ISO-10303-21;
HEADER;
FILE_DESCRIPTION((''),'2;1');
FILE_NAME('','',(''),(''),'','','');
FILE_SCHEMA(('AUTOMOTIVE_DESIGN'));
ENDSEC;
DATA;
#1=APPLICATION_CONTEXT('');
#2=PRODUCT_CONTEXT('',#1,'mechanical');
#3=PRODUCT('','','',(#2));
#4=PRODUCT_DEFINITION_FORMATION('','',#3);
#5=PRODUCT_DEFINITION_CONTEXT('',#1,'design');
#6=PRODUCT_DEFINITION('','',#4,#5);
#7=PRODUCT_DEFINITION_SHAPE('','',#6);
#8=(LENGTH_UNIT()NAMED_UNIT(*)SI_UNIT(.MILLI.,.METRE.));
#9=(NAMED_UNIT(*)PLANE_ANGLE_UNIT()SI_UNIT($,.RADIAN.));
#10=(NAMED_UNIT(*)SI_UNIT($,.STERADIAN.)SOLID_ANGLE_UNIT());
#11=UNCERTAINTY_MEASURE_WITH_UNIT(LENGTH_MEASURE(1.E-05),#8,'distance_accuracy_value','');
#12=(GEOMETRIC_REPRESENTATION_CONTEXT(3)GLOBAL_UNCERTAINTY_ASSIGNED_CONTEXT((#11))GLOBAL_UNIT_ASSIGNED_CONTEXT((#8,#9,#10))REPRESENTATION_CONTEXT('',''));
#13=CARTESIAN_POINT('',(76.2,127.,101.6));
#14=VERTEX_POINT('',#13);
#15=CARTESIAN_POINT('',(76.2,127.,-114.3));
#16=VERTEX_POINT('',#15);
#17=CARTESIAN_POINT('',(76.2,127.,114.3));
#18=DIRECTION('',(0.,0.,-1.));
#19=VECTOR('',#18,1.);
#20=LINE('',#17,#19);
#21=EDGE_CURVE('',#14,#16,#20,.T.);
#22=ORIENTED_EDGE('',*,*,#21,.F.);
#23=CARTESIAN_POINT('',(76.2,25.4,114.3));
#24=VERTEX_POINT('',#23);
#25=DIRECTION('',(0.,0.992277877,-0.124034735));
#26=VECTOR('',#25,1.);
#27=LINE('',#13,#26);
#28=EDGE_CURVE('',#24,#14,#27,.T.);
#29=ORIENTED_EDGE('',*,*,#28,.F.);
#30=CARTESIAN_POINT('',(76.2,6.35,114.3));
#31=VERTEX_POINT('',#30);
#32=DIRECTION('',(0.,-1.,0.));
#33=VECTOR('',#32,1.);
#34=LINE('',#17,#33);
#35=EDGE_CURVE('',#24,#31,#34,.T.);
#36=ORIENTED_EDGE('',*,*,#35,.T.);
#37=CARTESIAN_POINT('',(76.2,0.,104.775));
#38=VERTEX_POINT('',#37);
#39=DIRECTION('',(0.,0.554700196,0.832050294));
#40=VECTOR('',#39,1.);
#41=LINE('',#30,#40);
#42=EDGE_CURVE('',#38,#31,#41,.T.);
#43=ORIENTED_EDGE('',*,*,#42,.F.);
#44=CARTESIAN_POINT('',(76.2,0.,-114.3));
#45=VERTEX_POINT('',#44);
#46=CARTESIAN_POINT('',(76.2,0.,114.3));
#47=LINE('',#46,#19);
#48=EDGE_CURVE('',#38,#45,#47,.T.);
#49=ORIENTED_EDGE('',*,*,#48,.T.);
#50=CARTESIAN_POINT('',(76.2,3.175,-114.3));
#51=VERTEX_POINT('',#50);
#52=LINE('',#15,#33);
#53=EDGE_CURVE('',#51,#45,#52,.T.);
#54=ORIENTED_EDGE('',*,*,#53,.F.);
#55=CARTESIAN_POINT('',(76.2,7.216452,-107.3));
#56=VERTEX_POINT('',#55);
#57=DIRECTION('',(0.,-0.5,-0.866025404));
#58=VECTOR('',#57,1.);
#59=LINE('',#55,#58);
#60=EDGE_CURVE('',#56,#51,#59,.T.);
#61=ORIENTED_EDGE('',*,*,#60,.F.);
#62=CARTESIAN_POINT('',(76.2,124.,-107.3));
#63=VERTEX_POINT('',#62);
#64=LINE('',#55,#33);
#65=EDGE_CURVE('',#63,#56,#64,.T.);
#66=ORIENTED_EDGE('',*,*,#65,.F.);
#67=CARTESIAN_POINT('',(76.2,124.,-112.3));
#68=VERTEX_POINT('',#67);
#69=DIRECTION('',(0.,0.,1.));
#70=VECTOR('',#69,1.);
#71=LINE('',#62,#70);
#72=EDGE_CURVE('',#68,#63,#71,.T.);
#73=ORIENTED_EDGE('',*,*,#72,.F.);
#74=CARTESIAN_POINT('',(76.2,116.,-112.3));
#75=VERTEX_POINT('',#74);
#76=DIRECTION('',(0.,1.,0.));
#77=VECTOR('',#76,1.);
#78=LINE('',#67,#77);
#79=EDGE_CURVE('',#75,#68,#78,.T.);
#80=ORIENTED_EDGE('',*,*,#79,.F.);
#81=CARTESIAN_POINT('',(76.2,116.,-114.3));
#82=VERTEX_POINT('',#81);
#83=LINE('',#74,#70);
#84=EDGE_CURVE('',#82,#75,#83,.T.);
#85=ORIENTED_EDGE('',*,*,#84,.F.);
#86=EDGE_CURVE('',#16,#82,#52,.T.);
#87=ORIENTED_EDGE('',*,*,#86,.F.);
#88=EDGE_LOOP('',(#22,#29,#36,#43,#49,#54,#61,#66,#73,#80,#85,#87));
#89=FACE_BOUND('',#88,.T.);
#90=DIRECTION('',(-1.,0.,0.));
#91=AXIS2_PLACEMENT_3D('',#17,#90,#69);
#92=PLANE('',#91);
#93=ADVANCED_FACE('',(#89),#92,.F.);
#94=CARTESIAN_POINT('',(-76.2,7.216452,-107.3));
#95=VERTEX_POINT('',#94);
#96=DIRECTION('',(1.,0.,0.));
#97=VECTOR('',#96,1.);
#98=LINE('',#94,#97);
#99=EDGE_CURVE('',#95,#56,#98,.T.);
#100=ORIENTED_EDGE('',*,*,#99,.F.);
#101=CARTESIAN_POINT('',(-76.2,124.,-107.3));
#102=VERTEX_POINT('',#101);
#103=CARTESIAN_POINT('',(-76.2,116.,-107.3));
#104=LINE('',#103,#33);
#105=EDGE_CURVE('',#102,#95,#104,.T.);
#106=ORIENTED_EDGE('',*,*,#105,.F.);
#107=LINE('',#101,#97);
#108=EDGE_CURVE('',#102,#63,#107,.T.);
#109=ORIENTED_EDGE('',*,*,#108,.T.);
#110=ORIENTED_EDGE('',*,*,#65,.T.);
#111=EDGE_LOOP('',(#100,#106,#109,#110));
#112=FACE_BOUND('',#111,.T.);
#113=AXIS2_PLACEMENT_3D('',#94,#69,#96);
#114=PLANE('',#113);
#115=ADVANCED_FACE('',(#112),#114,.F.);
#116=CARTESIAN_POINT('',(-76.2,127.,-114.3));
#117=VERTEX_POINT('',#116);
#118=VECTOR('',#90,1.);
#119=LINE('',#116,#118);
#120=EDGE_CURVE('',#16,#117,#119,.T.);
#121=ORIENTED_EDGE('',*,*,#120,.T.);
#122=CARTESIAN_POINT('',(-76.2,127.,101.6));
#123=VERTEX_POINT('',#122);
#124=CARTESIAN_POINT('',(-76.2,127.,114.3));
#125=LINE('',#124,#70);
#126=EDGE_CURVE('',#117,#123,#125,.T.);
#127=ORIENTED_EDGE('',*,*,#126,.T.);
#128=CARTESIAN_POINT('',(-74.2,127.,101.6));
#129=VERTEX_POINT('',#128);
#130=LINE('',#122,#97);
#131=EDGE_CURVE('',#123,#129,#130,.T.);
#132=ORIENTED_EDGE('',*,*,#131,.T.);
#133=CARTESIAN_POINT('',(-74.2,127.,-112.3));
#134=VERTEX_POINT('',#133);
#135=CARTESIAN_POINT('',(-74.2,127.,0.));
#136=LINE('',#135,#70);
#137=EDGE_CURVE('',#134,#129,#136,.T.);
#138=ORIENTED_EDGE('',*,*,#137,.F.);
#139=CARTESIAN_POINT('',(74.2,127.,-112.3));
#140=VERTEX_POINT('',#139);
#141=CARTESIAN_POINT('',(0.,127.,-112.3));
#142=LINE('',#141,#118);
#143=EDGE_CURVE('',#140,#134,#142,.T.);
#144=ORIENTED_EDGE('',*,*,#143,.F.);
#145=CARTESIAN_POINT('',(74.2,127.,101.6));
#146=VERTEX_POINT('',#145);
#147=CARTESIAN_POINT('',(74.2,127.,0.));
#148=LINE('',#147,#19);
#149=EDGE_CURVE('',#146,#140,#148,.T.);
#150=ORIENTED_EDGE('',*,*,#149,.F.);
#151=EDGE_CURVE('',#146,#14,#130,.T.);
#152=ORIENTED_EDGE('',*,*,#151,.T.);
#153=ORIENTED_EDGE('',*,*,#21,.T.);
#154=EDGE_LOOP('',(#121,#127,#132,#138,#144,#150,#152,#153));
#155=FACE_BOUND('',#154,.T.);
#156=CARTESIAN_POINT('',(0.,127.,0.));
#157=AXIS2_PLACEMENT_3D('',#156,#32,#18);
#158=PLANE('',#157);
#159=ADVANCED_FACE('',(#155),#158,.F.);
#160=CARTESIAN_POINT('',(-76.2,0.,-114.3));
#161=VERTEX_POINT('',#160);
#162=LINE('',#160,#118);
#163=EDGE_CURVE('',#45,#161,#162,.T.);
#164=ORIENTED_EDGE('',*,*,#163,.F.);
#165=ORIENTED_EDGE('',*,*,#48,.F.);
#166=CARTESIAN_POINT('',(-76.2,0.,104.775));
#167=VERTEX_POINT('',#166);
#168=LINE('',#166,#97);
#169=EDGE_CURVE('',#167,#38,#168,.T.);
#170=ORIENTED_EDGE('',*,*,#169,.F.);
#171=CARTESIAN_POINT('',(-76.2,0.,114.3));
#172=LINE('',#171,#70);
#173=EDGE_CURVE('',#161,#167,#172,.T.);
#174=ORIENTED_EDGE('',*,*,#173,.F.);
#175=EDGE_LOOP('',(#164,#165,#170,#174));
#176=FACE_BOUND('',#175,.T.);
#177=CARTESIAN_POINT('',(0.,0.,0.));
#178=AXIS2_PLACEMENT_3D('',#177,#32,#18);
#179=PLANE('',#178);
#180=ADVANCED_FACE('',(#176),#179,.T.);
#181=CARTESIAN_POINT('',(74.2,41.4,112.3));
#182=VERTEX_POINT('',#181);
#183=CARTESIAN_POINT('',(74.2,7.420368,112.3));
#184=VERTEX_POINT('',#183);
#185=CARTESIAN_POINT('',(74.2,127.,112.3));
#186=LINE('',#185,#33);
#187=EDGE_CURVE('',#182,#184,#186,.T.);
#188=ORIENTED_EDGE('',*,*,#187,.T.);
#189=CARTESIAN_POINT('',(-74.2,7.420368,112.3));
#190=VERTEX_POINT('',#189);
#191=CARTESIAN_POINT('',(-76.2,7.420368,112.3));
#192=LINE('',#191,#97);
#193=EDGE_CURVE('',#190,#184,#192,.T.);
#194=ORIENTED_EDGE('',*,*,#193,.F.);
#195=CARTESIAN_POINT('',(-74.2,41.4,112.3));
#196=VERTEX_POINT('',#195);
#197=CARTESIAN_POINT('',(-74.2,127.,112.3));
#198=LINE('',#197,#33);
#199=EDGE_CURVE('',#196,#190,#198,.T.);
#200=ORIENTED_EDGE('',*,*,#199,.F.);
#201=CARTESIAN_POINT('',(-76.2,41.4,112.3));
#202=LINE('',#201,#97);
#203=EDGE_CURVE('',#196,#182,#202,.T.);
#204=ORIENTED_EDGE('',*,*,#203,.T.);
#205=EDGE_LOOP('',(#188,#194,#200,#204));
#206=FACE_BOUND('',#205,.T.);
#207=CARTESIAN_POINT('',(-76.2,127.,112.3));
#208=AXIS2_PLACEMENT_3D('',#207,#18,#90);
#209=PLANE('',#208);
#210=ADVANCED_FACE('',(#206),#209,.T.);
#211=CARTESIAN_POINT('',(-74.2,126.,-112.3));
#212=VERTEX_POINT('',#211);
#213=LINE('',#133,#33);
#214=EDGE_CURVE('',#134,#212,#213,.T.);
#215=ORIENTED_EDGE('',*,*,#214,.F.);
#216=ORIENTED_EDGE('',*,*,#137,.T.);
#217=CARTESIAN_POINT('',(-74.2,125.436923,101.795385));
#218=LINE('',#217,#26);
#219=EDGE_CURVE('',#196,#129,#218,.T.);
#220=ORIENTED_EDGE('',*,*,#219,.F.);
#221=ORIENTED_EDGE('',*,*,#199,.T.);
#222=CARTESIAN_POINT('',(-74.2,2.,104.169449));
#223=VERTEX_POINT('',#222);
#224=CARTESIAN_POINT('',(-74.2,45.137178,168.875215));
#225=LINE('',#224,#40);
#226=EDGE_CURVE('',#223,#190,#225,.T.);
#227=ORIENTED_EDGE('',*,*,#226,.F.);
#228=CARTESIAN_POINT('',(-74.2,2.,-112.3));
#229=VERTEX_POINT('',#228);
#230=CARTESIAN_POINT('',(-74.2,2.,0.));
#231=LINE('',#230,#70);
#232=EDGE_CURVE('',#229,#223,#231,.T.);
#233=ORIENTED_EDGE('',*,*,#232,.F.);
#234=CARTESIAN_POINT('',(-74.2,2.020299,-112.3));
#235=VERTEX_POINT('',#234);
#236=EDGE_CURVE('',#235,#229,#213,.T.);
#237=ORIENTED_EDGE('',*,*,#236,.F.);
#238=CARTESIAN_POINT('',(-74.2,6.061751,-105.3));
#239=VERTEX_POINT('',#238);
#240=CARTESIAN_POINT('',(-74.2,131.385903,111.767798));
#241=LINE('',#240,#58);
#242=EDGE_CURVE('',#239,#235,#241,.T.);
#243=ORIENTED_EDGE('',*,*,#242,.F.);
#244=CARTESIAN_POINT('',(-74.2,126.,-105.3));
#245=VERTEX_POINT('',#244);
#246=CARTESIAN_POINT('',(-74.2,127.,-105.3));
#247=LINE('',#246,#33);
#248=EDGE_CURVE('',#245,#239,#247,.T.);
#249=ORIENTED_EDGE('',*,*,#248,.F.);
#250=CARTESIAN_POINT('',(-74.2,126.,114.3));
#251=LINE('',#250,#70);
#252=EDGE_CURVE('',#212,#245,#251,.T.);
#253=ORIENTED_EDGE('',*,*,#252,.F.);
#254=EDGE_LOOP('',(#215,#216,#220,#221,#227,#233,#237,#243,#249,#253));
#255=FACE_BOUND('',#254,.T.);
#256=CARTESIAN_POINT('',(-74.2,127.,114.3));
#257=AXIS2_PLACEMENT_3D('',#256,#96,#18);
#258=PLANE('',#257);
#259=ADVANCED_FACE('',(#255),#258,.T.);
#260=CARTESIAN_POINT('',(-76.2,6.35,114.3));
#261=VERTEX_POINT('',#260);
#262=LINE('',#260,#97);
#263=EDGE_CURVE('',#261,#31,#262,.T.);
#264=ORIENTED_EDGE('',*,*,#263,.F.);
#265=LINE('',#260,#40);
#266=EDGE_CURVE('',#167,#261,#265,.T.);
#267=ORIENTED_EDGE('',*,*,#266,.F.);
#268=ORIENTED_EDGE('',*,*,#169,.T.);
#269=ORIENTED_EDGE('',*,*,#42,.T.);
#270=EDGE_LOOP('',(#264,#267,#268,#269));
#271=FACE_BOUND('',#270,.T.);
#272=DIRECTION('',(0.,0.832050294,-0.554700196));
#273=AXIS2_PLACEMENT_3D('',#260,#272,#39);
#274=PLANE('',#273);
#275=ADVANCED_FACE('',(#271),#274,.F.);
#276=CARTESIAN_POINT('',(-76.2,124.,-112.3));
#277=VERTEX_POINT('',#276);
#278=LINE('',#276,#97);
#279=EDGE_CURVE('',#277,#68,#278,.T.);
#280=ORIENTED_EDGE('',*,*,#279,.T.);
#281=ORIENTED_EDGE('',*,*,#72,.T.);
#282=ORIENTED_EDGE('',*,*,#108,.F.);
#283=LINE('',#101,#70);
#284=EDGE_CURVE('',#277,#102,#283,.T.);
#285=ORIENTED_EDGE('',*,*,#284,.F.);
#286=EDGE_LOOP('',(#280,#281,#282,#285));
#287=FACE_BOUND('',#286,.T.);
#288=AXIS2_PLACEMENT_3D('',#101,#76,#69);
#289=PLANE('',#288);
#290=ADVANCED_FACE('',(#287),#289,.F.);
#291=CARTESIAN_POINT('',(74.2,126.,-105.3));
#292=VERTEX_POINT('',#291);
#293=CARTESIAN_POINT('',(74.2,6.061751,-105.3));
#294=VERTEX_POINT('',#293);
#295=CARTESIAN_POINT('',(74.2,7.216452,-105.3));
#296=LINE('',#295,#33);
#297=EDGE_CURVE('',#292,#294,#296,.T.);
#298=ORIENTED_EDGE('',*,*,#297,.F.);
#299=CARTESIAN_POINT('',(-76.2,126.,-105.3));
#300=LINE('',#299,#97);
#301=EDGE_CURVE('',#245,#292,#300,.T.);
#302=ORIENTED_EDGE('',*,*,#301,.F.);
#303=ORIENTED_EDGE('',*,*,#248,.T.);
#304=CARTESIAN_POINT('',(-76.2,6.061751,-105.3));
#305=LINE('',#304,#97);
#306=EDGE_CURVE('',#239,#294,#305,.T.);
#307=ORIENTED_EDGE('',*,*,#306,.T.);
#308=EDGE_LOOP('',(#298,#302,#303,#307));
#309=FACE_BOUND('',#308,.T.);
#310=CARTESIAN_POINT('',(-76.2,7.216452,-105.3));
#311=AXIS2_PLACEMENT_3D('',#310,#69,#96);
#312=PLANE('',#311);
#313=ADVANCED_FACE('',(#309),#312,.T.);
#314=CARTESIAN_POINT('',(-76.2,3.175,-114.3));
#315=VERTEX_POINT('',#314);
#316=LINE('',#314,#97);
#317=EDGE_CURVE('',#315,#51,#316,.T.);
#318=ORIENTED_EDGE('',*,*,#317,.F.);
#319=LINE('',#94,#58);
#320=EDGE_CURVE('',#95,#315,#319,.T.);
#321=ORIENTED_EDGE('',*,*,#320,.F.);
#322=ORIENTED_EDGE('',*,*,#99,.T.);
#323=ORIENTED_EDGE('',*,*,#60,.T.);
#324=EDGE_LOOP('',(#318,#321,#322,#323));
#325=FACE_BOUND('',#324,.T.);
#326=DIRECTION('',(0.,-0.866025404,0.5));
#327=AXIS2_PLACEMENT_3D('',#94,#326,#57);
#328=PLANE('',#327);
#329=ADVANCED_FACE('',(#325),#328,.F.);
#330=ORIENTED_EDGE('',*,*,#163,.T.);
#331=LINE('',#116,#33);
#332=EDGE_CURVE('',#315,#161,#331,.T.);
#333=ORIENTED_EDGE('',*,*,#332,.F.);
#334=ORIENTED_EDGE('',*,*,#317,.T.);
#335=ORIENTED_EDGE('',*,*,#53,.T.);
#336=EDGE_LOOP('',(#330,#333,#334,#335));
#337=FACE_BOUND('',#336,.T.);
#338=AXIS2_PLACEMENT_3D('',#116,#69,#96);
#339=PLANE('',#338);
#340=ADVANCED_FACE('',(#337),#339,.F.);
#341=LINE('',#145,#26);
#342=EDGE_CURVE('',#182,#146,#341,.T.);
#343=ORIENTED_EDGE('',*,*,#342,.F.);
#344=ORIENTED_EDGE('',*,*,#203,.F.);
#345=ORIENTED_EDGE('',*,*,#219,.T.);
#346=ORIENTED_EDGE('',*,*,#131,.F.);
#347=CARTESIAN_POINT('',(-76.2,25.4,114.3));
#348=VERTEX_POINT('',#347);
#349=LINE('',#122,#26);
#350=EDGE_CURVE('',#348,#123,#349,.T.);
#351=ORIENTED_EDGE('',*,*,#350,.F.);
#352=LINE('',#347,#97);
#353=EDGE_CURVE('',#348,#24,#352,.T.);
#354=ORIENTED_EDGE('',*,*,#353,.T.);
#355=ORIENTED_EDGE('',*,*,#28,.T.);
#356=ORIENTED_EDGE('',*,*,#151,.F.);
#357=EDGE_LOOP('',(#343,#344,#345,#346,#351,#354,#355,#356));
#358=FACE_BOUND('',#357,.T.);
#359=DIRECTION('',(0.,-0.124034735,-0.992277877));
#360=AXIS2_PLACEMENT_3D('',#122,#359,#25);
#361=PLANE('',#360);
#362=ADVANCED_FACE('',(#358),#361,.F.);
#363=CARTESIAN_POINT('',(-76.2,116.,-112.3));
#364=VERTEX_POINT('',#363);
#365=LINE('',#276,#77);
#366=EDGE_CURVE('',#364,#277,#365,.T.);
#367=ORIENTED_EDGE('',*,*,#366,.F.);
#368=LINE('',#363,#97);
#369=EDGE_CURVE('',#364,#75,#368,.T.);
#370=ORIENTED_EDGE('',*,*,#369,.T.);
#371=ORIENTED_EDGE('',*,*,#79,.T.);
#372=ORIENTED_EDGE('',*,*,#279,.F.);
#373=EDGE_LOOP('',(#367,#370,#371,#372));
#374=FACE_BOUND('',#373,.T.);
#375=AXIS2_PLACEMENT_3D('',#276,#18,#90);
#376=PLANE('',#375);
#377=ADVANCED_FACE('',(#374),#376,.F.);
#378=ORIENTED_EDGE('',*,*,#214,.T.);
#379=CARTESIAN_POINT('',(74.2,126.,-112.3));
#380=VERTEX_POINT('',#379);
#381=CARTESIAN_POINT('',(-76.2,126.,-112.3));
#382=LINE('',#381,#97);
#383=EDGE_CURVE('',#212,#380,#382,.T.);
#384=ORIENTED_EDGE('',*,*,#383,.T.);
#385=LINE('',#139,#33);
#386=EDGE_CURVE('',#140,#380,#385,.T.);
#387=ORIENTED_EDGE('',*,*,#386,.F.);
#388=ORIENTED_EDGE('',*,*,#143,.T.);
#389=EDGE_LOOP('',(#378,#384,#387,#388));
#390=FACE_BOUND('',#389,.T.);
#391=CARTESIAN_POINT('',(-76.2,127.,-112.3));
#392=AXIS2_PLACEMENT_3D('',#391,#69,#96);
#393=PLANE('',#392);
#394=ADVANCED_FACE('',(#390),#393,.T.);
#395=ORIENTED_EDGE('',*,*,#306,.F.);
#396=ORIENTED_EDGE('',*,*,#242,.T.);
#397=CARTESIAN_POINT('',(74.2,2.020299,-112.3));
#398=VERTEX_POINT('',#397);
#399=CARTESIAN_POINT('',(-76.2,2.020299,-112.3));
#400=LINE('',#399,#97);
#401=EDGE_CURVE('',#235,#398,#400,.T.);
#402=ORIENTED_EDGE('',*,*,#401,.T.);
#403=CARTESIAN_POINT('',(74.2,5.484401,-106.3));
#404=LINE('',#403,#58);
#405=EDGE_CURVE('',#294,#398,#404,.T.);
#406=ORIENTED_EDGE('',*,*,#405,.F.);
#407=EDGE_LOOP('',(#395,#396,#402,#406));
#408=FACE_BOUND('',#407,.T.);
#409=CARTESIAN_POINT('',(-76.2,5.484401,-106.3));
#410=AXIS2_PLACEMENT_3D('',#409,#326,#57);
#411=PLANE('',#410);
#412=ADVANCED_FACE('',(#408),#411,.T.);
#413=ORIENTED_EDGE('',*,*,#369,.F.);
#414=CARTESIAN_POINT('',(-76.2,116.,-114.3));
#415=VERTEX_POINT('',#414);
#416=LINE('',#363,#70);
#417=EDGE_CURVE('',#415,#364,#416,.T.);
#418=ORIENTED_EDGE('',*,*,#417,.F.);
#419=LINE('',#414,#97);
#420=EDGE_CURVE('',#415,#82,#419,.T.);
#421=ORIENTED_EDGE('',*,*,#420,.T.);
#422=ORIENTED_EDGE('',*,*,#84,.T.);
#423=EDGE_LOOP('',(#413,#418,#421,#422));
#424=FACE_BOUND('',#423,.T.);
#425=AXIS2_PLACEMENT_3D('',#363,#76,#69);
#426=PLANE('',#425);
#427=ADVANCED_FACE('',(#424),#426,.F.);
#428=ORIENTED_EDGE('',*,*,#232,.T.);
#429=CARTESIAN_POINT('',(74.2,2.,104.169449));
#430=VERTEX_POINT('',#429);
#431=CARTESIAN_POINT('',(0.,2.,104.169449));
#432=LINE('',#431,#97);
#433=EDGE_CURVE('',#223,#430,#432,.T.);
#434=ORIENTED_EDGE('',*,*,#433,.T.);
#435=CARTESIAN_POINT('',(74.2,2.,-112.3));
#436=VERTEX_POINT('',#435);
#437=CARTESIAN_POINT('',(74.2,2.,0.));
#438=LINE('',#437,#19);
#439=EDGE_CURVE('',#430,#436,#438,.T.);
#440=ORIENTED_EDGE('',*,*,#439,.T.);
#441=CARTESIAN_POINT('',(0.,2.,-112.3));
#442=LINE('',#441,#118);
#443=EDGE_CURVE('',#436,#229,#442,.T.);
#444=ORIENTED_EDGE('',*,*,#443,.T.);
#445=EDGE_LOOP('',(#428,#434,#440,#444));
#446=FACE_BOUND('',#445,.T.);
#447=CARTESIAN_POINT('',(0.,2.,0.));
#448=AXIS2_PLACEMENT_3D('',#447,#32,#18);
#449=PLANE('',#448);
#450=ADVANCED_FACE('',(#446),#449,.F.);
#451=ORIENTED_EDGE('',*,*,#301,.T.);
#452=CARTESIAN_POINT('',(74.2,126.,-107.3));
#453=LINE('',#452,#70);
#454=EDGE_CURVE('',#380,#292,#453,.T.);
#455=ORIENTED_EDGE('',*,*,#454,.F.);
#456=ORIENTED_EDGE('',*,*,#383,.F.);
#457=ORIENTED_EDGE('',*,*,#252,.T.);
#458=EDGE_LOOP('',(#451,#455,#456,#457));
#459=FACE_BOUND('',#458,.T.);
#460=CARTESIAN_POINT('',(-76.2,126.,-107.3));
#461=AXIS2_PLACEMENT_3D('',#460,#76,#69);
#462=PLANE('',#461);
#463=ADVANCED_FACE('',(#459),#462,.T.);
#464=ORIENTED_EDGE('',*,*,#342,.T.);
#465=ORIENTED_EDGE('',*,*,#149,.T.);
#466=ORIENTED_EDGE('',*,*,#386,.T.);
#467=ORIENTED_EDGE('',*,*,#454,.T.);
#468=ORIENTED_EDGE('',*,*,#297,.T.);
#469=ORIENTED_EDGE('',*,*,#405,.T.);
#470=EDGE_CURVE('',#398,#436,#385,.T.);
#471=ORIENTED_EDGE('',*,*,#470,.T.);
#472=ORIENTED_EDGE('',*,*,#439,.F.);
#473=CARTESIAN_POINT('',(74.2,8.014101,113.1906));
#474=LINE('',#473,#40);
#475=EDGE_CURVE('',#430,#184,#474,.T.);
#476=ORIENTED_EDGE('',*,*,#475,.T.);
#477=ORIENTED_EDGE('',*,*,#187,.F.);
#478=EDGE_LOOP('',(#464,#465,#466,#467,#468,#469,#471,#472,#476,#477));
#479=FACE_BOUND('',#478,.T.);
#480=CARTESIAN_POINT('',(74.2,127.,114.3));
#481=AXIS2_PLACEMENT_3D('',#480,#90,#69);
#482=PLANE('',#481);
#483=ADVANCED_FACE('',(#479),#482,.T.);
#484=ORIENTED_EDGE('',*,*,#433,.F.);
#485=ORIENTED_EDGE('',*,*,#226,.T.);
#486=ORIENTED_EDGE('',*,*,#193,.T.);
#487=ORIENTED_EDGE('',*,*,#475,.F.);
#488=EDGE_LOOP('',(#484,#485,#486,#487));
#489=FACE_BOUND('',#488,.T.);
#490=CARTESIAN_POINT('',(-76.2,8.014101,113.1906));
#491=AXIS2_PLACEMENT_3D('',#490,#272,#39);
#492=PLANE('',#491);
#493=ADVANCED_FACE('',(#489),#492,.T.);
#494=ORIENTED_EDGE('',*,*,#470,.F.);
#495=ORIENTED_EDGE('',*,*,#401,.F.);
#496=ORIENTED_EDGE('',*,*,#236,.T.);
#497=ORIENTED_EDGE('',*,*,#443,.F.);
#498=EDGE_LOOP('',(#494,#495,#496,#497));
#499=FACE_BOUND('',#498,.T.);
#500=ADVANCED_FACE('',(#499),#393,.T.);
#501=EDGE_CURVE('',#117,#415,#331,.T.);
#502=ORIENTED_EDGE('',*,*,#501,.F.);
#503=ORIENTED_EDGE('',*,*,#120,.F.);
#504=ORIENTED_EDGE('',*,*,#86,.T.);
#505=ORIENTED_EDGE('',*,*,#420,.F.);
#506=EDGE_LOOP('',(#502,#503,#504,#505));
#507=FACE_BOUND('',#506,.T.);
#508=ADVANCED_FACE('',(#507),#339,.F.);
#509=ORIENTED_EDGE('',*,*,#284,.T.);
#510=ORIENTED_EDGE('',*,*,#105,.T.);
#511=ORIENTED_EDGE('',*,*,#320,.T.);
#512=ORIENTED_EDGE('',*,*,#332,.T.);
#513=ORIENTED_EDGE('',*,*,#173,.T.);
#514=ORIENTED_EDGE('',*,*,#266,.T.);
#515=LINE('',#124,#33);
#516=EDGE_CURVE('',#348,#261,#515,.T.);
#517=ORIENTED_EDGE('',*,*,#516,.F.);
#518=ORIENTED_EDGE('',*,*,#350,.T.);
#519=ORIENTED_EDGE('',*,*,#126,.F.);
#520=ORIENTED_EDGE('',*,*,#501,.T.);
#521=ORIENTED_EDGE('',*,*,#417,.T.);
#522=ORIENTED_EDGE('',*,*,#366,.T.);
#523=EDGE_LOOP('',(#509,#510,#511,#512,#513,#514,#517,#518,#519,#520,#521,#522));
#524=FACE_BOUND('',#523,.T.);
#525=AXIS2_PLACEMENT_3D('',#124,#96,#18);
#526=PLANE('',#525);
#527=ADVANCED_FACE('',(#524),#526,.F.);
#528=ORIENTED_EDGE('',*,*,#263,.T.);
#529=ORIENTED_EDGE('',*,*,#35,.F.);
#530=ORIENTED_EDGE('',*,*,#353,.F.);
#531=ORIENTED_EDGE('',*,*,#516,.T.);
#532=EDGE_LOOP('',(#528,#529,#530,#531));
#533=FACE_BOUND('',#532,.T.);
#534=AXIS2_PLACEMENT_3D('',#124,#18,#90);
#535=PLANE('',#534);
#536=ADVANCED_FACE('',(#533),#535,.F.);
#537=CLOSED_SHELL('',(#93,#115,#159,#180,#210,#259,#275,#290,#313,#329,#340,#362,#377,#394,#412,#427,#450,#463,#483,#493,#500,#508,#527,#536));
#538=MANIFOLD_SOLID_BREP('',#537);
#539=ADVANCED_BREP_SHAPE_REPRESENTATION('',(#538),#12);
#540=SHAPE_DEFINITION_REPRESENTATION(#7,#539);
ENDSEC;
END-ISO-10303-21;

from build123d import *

# Parameters (mm, degrees)
SKETCH1_W           = 152.4
SKETCH1_H           = 228.6
BOSS_EXTRUDE1_DEPTH = 127
CUT_EXTRUDE1_DEPTH  = 153.4
CUT_EXTRUDE2_DEPTH  = 153.4
SHELL1_T            = -2


with BuildPart() as part:
    # Sketch1 → Boss-Extrude1 (new body)
    with BuildSketch(Plane(origin=(0, 0, 0), x_dir=(1, 0, 0), z_dir=(0, 1, 0))):
        Rectangle(SKETCH1_W, SKETCH1_H)
    extrude(amount=BOSS_EXTRUDE1_DEPTH)

    # Sketch2 → Cut-Extrude1 (cut, through all)
    with BuildSketch(Plane(origin=(76.2, 0, 0), x_dir=(0, 0, -1), z_dir=(1, 0, 0))):
        Polygon((-101.6, 127), (-114.3, 25.4), (-114.3, 127), align=None)
        Polygon((-114.3, 6.35), (-114.3, 0), (-104.775, 0), align=None)
    extrude(amount=-CUT_EXTRUDE1_DEPTH, mode=Mode.SUBTRACT)

    # Sketch3 → Cut-Extrude2 (cut, through all)
    with BuildSketch(Plane(origin=(76.2, 0, 0), x_dir=(0, 0, -1), z_dir=(1, 0, 0))):
        Polygon((107.3, 7.216451884), (107.3, 116), (107.3, 124), (112.3, 124), (112.3, 116), (114.3, 116), (114.3, 3.175), align=None)
    extrude(amount=-CUT_EXTRUDE2_DEPTH, mode=Mode.SUBTRACT)

    # Shell1
    shell1_openings = [part.faces().sort_by_distance(p)[0] for p in [
        (0, 127, -6.35),
        (0, 76.2, 107.95),
    ]]
    offset(amount=SHELL1_T, openings=shell1_openings, kind=Kind.INTERSECTION)


solid = part.part
